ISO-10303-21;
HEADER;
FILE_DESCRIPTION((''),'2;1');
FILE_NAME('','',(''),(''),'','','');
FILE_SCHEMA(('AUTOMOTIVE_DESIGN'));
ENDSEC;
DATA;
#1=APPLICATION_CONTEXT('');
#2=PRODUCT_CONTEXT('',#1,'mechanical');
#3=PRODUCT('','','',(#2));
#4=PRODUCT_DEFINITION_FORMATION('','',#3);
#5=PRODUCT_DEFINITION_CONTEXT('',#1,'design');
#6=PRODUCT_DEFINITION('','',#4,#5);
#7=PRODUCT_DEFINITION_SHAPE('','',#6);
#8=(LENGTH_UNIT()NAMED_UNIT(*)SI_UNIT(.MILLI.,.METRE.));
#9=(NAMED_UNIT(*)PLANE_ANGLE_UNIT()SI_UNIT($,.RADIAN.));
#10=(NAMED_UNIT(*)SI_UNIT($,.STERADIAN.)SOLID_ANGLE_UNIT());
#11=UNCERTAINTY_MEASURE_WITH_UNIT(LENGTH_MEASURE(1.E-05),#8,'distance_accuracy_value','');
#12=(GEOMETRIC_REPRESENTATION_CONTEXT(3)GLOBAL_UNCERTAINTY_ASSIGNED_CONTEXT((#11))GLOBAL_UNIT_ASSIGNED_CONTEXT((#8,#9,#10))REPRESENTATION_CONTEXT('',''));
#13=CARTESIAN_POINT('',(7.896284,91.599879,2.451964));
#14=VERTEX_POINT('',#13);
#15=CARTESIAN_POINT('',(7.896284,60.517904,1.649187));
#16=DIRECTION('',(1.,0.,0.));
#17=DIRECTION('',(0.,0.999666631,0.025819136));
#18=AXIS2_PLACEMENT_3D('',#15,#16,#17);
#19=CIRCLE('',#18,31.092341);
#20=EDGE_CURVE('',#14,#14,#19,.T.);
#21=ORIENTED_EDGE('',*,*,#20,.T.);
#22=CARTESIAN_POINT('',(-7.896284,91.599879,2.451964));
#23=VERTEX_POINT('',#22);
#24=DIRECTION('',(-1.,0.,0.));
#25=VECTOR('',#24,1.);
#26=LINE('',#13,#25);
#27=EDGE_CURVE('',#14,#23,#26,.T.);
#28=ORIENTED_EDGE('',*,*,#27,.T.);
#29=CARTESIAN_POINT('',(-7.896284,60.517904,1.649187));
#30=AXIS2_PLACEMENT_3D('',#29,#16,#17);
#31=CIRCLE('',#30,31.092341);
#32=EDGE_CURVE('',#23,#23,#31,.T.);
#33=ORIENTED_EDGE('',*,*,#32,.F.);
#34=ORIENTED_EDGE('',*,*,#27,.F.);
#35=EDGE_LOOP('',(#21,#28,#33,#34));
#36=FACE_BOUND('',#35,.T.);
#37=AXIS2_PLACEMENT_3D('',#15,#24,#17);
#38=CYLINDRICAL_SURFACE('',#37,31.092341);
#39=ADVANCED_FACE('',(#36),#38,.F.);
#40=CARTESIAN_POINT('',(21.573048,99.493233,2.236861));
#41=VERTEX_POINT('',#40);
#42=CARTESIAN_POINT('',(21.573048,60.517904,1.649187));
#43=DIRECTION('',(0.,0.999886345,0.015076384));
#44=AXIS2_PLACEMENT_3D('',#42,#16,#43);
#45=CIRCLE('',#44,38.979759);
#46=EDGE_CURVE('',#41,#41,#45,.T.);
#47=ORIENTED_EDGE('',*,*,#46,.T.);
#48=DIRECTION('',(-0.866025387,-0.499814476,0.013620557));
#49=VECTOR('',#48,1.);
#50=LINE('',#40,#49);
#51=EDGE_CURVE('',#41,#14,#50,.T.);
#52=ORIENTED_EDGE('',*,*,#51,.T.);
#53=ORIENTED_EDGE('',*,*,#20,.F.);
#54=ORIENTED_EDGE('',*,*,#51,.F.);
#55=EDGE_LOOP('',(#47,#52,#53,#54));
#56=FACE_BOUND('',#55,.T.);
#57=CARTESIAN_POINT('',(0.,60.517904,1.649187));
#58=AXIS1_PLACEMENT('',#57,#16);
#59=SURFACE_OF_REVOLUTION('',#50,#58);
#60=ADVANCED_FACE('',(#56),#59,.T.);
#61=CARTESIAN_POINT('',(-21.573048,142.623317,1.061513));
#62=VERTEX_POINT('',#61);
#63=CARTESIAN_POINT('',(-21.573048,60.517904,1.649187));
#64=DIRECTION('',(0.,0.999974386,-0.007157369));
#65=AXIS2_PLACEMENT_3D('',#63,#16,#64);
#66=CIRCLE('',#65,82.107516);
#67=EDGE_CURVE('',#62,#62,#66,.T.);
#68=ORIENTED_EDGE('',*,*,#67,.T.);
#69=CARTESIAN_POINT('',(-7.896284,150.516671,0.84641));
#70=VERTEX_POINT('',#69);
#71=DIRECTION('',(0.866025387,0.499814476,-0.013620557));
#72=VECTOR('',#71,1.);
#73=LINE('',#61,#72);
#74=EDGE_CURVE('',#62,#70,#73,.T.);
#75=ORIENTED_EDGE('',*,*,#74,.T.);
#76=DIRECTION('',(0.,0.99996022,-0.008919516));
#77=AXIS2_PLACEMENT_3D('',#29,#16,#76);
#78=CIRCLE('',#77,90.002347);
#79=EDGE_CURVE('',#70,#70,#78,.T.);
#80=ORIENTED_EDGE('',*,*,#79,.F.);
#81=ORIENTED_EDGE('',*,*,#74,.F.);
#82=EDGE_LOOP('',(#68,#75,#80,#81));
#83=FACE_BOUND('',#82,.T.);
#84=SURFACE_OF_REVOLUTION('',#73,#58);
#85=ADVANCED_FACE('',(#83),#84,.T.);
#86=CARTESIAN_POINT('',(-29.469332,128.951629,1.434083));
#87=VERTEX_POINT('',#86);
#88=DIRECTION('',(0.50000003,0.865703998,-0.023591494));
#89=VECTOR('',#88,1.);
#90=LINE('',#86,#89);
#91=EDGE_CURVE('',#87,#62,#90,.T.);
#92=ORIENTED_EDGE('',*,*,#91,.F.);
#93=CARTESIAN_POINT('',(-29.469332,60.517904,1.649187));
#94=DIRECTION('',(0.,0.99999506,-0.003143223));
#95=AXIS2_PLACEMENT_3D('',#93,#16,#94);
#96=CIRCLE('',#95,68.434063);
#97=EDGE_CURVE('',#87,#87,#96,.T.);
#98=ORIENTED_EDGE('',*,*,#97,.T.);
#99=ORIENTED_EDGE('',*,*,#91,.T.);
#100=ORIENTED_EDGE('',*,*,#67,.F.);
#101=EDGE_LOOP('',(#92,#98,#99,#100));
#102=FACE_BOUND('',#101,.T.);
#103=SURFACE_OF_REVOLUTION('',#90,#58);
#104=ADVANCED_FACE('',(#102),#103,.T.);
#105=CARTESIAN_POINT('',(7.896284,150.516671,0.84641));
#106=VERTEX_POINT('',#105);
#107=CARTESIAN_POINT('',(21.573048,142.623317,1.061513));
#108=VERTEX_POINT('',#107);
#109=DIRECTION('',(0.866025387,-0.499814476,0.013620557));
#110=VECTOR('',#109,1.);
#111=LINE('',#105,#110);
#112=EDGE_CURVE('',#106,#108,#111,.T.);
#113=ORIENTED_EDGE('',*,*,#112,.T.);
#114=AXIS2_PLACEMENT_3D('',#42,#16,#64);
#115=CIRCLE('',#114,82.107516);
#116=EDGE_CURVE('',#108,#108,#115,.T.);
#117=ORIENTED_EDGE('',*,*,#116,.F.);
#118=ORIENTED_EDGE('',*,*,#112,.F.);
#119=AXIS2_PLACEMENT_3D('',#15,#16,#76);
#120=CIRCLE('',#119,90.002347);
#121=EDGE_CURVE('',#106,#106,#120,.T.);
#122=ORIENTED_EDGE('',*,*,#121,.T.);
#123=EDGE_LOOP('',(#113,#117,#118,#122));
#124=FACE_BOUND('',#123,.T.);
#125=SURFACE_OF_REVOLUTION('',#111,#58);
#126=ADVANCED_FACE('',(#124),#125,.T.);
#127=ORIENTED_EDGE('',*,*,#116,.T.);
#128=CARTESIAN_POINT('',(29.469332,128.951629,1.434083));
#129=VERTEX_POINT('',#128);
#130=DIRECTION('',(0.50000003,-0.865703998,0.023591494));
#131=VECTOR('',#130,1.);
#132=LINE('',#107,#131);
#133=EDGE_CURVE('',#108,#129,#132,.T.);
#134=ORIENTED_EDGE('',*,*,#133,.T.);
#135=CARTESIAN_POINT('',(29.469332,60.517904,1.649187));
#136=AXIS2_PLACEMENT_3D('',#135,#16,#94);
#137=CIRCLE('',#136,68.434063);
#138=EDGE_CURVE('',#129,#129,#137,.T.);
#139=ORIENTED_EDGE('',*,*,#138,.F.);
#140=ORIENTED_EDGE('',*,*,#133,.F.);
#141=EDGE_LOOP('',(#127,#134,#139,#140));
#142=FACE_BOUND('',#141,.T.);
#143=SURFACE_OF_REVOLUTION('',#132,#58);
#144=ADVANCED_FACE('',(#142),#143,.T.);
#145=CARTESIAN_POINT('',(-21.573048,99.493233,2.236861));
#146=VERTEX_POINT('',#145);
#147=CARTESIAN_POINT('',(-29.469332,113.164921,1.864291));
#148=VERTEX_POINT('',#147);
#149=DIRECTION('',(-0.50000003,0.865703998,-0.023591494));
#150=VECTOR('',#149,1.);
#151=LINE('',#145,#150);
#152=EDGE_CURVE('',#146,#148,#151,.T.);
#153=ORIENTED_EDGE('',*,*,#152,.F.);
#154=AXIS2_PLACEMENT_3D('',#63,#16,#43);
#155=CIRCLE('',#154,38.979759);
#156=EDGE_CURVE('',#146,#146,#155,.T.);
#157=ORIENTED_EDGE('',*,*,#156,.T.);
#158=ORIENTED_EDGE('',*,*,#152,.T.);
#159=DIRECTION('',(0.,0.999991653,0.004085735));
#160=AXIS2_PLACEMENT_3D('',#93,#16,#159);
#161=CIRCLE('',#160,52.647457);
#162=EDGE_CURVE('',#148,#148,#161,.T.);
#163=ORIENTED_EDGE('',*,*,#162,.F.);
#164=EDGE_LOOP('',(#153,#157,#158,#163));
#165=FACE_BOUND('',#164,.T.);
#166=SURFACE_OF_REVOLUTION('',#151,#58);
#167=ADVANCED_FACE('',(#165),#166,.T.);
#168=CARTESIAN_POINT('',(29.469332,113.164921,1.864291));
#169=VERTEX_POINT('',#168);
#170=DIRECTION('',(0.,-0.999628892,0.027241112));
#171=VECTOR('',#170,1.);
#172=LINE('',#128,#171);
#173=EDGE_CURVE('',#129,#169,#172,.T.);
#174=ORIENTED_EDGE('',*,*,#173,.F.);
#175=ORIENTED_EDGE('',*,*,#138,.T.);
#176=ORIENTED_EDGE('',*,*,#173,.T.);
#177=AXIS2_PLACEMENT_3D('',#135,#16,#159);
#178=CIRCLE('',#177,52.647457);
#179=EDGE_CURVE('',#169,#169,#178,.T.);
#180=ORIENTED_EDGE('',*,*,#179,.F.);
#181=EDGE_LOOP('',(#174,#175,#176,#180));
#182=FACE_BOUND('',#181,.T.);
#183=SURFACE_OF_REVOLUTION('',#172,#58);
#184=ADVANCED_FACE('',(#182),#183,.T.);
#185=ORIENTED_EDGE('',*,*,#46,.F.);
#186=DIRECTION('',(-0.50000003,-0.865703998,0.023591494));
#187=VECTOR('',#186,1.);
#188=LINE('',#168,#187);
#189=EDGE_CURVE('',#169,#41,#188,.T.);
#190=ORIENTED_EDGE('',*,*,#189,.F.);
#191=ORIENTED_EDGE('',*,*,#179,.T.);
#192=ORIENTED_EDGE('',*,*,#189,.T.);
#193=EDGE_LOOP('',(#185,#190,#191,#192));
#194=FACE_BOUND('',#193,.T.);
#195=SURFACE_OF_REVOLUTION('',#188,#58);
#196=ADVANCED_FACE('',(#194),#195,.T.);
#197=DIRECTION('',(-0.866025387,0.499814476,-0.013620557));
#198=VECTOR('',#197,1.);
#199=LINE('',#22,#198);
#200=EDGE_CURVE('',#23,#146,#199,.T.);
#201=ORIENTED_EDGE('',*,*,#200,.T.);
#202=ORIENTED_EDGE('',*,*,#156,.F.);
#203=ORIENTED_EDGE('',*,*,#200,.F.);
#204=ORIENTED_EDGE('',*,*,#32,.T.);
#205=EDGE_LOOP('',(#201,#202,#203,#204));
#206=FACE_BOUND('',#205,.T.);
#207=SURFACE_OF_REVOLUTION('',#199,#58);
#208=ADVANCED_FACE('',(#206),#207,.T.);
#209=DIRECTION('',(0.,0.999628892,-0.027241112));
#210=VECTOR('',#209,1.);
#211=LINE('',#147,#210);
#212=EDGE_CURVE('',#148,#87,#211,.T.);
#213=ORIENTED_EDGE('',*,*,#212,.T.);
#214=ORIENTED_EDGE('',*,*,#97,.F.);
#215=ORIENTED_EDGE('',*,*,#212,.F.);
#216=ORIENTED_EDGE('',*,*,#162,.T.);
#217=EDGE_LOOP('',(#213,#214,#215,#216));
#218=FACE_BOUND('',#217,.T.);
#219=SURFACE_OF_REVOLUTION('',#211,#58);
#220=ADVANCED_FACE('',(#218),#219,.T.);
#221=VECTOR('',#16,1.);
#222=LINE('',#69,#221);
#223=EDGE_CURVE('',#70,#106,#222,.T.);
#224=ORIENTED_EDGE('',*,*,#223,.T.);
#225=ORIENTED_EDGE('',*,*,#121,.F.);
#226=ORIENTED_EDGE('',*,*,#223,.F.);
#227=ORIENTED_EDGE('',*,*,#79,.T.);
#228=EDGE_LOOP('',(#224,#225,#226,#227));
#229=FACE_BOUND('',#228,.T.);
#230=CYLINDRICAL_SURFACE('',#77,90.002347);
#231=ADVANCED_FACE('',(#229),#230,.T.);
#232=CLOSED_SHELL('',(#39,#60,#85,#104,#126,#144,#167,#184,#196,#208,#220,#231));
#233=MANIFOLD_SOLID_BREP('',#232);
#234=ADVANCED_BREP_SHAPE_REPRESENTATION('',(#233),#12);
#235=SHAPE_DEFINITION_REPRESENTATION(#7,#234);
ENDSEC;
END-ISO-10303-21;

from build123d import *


with BuildPart() as f2:
    # F2: sweep along a path in F1
    with BuildLine(Plane.YZ) as f2_path:
        CenterArc((60.517904, 1.649187), 60.540371, 0, 360)
    # F0 (on Top) → F2 (sweep)
    with BuildSketch(Plane.XY):
        Polygon((-29.469332, 7.896284), (-29.469332, -7.896284), (-21.573048, -21.573048), (-7.896284, -29.469332), (7.896284, -29.469332), (21.573048, -21.573048), (29.469332, -7.896284), (29.469332, 7.896284), (21.573048, 21.573048), (7.896284, 29.469332), (-7.896284, 29.469332), (-21.573048, 21.573048), align=None)
    sweep(path=f2_path.line)


solid = f2.part
